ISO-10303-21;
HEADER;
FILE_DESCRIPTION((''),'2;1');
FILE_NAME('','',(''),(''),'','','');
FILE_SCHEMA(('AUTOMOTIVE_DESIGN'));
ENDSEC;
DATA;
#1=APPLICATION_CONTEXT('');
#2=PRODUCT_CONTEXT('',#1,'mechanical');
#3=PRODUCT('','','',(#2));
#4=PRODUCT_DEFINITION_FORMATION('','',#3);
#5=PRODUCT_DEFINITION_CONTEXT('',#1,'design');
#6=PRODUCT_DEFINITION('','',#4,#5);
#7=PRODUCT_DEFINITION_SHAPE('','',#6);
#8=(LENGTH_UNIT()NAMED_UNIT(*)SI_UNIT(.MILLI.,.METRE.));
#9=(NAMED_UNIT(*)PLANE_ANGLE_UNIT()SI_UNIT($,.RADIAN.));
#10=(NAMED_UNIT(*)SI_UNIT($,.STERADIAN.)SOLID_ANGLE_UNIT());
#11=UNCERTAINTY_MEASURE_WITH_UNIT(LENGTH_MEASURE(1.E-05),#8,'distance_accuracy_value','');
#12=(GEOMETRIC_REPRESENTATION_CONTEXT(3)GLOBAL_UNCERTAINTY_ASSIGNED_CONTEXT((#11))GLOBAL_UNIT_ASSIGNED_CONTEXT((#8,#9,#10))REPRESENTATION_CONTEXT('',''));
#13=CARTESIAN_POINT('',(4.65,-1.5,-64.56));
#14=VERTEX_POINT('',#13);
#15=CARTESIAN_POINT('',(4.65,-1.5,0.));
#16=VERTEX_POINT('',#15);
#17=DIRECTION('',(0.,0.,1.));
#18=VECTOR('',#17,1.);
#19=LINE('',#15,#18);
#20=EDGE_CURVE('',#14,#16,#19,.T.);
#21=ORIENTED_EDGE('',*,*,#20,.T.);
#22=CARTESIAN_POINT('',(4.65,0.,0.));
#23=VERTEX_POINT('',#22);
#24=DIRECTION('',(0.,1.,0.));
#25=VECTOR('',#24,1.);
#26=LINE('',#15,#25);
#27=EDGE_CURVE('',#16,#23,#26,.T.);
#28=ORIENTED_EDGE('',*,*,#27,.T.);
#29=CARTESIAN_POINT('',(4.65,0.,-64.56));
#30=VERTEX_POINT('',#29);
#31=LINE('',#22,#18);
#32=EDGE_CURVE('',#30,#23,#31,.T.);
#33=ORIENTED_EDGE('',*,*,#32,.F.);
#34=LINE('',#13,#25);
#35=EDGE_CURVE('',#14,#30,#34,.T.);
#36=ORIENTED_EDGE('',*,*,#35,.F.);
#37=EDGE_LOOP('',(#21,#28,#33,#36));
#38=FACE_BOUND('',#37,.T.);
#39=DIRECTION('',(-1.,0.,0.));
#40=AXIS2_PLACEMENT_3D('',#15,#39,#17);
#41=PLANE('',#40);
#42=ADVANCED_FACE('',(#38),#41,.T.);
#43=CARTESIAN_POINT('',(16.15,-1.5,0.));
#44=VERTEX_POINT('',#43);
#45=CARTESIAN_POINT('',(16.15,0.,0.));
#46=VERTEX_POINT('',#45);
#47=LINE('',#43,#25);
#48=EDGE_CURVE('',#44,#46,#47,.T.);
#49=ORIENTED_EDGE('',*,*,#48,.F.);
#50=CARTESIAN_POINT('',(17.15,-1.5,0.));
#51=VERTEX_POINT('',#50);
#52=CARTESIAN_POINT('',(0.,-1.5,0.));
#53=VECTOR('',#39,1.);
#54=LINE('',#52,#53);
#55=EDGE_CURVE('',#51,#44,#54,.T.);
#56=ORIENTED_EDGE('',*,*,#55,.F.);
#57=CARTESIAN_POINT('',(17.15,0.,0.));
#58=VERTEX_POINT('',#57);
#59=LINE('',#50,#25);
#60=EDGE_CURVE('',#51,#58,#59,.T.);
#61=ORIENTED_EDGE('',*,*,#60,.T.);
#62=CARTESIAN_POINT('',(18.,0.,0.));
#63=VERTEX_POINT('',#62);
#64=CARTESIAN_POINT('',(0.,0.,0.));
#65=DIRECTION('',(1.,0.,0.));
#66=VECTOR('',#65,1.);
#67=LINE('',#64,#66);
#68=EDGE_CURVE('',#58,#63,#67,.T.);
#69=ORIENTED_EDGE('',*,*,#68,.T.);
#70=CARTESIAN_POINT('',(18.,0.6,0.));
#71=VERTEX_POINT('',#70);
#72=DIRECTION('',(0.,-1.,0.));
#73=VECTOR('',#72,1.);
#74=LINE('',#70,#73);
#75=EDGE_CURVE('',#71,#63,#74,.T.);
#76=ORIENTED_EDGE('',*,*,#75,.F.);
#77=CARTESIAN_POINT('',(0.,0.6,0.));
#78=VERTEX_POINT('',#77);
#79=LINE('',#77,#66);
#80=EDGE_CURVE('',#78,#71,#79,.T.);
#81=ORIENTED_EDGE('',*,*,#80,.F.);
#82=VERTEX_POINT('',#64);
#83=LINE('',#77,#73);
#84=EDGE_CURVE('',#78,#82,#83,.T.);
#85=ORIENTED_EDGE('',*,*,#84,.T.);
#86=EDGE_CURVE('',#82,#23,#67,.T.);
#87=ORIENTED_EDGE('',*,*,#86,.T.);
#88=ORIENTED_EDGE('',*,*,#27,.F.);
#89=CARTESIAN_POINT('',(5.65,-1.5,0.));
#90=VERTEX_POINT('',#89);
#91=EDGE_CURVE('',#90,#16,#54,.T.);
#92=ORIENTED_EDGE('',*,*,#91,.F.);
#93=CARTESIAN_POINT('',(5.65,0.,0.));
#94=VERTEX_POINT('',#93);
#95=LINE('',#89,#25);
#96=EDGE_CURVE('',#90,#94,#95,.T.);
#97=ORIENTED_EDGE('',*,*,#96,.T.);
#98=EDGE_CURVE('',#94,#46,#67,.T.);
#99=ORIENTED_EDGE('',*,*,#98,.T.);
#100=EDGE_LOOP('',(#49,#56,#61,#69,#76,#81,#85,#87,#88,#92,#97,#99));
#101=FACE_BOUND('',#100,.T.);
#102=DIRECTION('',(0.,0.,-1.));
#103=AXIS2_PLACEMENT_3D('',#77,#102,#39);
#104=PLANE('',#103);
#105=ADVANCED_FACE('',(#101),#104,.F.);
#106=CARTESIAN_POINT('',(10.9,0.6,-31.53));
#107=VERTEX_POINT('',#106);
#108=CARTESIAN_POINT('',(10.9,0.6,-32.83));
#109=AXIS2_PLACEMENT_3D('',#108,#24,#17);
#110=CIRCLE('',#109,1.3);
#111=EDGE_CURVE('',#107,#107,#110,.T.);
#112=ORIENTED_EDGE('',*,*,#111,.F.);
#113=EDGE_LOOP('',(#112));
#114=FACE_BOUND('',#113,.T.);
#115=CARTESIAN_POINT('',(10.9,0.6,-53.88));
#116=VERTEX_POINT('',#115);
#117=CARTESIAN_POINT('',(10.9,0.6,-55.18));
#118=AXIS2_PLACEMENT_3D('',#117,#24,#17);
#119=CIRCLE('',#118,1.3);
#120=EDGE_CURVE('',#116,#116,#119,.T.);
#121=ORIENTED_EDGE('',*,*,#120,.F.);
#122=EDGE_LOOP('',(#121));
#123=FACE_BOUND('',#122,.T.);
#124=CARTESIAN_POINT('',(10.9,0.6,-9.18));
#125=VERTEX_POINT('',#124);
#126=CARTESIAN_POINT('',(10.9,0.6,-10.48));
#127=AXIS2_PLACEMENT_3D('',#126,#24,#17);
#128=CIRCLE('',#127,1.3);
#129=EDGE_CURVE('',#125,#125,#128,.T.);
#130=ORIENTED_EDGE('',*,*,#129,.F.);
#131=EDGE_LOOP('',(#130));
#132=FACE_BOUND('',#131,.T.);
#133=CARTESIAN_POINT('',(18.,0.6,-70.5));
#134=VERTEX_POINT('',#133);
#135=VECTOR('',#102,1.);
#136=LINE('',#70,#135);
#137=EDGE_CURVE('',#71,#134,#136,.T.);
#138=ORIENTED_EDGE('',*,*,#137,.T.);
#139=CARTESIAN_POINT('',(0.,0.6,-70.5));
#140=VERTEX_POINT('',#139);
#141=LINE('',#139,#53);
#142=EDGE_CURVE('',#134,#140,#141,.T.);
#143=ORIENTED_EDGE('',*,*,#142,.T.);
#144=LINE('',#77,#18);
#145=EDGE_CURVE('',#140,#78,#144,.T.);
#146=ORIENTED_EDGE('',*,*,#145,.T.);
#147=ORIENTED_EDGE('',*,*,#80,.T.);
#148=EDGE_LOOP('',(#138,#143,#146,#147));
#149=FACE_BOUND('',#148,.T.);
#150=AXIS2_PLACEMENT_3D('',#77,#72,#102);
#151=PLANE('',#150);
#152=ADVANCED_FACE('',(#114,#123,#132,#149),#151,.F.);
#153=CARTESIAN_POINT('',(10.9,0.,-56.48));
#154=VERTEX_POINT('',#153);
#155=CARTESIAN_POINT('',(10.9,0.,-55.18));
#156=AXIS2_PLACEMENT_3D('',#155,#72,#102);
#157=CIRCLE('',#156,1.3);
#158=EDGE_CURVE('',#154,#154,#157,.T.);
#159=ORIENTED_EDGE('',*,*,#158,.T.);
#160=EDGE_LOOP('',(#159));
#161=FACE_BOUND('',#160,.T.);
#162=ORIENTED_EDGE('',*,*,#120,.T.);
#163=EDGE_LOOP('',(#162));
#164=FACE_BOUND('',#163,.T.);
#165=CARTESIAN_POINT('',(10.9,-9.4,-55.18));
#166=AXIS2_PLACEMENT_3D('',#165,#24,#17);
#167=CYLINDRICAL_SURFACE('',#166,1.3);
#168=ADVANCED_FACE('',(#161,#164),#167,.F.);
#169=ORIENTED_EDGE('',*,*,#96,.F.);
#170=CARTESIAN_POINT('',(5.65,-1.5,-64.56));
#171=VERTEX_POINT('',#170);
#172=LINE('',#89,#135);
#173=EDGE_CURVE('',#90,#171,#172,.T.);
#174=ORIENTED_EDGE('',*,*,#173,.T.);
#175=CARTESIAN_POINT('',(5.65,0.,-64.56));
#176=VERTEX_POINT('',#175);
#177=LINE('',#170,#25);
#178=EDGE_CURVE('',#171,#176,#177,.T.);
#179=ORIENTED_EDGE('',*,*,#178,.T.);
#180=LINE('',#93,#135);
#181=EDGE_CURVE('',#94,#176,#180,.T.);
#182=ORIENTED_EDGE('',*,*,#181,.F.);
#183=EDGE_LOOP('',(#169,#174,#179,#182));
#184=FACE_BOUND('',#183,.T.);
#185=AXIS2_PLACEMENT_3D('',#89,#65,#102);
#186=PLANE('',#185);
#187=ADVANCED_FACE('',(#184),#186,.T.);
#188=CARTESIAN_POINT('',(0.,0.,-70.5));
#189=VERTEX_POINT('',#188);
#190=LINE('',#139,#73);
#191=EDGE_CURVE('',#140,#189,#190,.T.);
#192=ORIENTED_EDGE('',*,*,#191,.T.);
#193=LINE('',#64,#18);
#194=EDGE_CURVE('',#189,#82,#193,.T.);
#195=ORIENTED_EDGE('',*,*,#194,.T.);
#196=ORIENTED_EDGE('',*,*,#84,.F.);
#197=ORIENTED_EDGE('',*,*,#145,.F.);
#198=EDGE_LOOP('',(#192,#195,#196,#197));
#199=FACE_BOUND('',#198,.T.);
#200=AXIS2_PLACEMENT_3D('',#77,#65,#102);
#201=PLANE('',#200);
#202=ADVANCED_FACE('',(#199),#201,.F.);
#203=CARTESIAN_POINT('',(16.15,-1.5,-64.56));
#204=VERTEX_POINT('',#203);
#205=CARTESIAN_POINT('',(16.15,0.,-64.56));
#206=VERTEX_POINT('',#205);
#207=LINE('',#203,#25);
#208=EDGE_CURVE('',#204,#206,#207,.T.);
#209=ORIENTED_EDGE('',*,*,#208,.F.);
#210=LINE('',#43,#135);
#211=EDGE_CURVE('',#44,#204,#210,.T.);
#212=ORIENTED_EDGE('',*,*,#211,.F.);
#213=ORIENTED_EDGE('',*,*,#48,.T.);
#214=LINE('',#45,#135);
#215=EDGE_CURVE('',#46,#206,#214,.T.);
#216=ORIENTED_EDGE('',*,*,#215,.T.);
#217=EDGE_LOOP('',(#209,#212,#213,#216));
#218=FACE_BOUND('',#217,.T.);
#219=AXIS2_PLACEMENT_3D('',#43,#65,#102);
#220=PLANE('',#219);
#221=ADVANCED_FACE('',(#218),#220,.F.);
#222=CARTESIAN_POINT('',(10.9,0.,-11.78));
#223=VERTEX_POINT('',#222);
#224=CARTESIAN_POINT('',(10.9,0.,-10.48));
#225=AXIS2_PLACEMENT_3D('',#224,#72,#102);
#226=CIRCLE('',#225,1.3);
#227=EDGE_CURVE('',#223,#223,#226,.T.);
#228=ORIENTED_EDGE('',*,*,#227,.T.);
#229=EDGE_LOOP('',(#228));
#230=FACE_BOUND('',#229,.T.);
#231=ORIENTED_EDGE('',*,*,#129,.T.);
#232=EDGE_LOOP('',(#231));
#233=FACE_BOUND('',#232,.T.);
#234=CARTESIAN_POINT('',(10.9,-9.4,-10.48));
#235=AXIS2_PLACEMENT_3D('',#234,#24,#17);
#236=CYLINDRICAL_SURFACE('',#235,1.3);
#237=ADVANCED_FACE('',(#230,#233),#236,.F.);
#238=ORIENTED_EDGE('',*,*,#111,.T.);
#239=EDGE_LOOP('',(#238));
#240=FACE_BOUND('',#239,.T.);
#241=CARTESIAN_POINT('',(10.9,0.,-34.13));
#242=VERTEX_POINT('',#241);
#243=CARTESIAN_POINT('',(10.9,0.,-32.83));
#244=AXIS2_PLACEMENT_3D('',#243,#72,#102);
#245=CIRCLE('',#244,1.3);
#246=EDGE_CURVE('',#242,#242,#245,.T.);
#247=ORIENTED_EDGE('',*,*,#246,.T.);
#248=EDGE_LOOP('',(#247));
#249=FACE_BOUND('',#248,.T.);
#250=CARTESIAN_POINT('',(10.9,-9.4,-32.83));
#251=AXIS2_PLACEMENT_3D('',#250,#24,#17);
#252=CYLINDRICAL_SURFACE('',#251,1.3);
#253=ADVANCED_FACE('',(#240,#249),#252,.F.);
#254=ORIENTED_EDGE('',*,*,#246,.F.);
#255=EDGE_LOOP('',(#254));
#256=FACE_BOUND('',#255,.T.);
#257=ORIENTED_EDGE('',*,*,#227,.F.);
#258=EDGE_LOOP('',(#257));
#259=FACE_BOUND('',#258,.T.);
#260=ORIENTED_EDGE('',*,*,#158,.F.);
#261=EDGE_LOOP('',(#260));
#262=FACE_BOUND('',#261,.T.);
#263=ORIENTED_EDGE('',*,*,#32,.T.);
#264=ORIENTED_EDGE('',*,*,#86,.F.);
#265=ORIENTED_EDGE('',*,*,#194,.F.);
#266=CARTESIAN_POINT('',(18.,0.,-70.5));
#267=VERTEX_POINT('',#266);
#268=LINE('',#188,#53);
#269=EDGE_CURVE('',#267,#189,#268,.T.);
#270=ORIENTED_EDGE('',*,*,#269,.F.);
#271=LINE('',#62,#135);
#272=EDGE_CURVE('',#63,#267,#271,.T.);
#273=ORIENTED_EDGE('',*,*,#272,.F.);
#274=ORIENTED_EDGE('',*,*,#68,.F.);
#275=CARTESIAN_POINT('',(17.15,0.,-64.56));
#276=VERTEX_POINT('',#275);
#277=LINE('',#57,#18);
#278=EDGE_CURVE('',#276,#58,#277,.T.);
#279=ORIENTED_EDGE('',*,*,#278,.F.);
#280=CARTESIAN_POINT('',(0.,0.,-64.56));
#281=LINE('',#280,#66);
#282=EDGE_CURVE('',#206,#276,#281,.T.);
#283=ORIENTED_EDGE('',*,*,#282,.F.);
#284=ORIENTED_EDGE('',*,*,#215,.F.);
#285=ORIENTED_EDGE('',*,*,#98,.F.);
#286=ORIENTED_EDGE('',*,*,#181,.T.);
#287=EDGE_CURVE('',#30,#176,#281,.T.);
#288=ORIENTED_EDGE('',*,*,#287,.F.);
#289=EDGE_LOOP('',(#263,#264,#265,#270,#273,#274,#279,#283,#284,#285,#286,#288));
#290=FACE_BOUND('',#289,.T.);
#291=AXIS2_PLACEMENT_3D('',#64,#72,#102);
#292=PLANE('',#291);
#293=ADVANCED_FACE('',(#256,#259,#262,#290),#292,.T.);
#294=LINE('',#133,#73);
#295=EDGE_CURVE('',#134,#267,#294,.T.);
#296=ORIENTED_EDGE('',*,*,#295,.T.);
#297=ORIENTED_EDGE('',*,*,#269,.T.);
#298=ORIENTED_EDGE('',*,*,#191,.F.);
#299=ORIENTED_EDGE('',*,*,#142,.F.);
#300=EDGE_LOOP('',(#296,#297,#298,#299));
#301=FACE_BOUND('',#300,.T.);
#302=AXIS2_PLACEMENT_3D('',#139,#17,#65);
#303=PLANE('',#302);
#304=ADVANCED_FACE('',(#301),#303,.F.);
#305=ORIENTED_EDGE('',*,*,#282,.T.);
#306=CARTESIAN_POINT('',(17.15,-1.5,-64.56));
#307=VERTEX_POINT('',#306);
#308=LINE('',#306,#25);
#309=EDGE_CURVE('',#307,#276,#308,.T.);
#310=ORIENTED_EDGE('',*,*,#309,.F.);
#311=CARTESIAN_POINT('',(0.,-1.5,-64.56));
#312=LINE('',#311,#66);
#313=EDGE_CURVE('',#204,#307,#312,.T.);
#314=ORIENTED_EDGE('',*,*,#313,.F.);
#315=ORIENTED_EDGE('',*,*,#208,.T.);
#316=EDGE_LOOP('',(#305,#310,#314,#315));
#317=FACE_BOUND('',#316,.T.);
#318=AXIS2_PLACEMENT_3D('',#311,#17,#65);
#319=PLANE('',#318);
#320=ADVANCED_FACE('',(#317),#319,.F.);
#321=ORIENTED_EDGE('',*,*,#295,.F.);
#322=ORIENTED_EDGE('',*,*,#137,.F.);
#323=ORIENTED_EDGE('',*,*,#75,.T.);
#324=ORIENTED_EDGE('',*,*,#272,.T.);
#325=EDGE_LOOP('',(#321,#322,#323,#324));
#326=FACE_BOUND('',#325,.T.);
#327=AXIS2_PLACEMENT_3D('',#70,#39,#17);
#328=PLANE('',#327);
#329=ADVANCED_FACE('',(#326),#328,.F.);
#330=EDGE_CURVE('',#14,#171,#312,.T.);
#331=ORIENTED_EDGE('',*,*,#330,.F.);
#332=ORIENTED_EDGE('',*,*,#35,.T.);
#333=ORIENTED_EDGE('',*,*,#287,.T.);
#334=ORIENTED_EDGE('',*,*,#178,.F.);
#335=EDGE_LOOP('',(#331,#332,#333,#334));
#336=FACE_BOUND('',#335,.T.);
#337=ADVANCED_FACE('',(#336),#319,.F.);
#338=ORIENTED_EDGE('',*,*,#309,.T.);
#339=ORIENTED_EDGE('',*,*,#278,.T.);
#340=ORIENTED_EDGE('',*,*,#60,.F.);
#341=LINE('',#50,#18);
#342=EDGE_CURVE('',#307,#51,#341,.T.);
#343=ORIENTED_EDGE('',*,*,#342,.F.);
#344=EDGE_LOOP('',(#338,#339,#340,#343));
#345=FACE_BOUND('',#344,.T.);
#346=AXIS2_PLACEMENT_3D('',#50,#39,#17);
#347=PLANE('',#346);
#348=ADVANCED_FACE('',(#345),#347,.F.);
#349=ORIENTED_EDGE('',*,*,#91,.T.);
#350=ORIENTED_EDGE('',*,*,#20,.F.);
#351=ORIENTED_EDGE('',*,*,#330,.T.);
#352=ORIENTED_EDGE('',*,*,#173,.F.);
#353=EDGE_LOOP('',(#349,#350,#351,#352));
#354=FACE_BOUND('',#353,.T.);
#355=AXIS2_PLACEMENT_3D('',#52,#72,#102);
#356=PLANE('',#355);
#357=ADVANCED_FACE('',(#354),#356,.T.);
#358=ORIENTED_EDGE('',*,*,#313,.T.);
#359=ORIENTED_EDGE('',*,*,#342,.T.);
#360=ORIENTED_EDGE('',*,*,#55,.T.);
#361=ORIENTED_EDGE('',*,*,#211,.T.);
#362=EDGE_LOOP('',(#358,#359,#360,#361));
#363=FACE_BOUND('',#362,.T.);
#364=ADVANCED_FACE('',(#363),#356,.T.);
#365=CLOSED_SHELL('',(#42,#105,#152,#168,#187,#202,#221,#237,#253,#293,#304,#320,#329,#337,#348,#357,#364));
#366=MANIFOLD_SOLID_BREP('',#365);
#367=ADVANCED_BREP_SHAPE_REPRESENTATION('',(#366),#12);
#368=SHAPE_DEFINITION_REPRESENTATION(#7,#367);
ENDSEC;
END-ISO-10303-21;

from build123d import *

# Parameters (mm, degrees)
SKETCH1_W           = 18
SKETCH1_H           = 70.5
BOSS_EXTRUDE1_DEPTH = 0.6
SKETCH3_R           = 1.3
CUT_EXTRUDE1_DEPTH  = 10
SKETCH4_W           = 1
SKETCH4_H           = 64.56
BOSS_EXTRUDE2_DEPTH = 1.5


with BuildPart() as part:
    # Sketch1 → Boss-Extrude1 (new body)
    with BuildSketch(Plane(origin=(0, 0, 0), x_dir=(1, 0, 0), z_dir=(0, 1, 0))):
        with Locations((9, 35.25)):
            Rectangle(SKETCH1_W, SKETCH1_H)
    extrude(amount=BOSS_EXTRUDE1_DEPTH)

    # Sketch3 → Cut-Extrude1 (cut)
    with BuildSketch(Plane(origin=(0, 0.6, 0), x_dir=(1, 0, 0), z_dir=(0, 1, 0))):
        with Locations((10.9, 10.48)):
            Circle(SKETCH3_R)
        with Locations((10.9, 32.83)):
            Circle(SKETCH3_R)
        with Locations((10.9, 55.18)):
            Circle(SKETCH3_R)
    extrude(amount=-CUT_EXTRUDE1_DEPTH, mode=Mode.SUBTRACT)

    # Sketch4 → Boss-Extrude2 (add)
    with BuildSketch(Plane.XZ):
        with Locations((5.15, -32.28)):
            Rectangle(SKETCH4_W, SKETCH4_H)
        with Locations((16.65, -32.28)):
            Rectangle(SKETCH4_W, SKETCH4_H)
    extrude(amount=BOSS_EXTRUDE2_DEPTH)


solid = part.part
